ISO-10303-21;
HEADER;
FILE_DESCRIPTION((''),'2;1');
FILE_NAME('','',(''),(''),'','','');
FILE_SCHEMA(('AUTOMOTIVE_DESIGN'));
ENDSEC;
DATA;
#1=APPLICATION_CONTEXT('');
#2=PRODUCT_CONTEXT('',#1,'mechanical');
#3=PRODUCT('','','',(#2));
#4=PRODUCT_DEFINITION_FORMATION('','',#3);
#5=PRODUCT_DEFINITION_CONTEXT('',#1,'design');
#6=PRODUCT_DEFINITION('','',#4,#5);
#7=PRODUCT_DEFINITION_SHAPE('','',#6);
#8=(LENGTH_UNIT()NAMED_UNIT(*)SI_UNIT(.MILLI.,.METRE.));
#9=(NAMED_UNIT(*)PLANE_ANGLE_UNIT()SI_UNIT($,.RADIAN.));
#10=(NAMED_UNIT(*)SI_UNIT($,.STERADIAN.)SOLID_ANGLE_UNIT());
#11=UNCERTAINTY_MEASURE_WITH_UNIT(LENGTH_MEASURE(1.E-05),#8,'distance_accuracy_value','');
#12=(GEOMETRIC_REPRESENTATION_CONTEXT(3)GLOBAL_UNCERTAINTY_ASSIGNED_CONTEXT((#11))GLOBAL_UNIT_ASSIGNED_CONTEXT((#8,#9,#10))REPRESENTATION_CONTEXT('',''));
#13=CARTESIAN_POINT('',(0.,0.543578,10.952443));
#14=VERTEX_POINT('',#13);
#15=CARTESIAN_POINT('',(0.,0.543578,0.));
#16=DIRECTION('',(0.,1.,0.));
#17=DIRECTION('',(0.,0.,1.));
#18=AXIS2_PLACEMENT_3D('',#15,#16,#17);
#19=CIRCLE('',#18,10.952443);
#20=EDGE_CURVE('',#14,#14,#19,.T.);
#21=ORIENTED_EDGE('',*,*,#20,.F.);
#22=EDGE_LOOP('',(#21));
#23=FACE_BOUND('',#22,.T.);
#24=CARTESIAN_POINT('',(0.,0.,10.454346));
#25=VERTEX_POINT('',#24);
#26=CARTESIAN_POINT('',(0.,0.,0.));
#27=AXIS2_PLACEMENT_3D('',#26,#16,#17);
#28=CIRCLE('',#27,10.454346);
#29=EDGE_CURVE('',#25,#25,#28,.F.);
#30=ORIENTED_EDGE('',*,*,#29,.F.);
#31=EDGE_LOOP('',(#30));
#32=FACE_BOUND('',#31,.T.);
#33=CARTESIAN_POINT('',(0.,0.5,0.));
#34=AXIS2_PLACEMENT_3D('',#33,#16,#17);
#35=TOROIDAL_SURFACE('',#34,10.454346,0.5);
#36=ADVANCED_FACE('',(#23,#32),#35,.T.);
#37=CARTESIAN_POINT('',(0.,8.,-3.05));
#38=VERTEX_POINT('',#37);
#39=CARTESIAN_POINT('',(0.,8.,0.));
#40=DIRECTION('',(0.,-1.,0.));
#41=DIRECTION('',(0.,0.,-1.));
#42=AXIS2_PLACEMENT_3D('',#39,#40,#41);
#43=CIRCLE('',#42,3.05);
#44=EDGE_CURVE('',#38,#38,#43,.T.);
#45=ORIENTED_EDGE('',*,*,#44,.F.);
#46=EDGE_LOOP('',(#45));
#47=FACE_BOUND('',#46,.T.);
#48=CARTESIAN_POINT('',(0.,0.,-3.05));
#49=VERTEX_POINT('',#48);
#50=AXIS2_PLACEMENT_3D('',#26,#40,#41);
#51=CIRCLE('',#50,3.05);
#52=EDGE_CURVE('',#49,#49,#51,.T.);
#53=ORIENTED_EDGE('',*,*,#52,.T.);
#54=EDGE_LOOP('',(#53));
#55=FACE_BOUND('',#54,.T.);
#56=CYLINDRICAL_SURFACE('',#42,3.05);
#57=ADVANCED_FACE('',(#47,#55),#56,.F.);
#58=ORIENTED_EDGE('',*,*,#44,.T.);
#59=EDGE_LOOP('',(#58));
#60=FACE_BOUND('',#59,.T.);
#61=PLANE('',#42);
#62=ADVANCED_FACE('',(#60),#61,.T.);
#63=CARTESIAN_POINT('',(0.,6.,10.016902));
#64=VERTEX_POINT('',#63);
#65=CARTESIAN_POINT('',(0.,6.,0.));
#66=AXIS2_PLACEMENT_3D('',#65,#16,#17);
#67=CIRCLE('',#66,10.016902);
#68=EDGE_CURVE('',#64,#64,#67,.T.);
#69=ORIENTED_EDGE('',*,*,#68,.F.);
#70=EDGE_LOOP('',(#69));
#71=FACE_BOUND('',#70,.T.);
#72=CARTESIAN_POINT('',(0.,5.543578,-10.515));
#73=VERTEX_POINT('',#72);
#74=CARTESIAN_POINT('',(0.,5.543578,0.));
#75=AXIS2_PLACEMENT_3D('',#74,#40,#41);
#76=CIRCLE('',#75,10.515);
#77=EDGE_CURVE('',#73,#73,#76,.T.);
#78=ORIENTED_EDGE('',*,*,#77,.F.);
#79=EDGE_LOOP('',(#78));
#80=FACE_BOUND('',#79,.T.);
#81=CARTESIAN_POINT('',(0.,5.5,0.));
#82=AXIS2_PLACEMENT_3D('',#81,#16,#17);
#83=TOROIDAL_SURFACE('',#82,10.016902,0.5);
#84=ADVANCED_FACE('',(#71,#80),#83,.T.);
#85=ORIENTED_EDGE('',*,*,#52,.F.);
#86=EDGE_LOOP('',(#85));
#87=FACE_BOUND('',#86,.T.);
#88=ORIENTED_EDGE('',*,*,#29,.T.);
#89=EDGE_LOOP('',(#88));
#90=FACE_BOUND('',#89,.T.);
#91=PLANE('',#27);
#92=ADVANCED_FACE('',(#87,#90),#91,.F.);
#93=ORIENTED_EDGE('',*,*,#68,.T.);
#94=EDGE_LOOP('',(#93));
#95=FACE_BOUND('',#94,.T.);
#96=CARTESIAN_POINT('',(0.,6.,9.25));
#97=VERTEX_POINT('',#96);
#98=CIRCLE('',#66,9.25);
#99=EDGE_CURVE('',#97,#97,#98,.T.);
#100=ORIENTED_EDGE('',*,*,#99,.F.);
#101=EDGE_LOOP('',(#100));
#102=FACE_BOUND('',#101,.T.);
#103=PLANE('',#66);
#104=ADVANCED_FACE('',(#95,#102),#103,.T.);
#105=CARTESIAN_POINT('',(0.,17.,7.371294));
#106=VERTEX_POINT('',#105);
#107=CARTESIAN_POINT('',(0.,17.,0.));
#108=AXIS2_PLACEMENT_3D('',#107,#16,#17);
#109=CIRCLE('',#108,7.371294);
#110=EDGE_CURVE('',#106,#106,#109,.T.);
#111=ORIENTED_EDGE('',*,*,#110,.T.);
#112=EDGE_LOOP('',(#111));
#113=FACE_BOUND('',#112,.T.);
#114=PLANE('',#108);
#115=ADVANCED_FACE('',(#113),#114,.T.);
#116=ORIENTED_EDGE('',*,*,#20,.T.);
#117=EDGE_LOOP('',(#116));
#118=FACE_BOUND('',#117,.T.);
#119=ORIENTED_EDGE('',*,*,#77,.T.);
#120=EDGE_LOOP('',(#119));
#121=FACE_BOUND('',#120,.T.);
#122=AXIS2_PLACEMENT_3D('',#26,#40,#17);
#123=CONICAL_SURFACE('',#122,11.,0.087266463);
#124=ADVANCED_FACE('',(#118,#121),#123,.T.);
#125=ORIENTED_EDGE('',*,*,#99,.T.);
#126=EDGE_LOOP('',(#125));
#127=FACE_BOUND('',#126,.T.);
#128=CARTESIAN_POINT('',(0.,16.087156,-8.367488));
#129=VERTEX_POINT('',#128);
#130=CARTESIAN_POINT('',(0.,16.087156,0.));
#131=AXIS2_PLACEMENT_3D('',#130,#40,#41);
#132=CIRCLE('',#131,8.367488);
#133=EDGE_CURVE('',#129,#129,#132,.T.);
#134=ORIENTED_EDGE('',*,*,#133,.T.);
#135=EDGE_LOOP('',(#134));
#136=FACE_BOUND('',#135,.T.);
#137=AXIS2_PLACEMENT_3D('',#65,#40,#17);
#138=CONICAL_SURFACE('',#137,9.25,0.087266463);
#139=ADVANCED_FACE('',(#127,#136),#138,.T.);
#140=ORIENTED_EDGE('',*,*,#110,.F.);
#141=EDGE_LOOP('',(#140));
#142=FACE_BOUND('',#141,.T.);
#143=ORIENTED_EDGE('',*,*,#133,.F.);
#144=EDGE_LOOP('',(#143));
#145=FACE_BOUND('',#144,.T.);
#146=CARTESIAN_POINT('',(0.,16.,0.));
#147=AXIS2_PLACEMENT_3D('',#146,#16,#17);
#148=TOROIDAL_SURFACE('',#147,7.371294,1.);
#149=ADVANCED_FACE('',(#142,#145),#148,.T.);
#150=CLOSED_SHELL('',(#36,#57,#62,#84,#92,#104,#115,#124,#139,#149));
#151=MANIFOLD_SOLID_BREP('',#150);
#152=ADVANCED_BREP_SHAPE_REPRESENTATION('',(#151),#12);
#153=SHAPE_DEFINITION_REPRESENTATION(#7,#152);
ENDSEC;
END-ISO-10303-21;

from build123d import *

# Parameters (mm, degrees)
SKETCH1_R           = 11
BOSS_EXTRUDE1_DEPTH = 6
BOSS_EXTRUDE1_TAPER = 5
SKETCH2_R           = 9.25
BOSS_EXTRUDE2_DEPTH = 11
BOSS_EXTRUDE2_TAPER = 5
SKETCH3_R           = 3.05
CUT_EXTRUDE1_DEPTH  = 8
FILLET1_R           = 1
FILLET2_R           = 0.5
FILLET3_R           = 0.5


with BuildPart() as part:
    # Sketch1 → Boss-Extrude1 (new body)
    with BuildSketch(Plane(origin=(0, 0, 0), x_dir=(1, 0, 0), z_dir=(0, 1, 0))):
        Circle(SKETCH1_R)
    extrude(amount=BOSS_EXTRUDE1_DEPTH, taper=BOSS_EXTRUDE1_TAPER)

    # Sketch2 → Boss-Extrude2 (add)
    with BuildSketch(Plane(origin=(0, 6, 0), x_dir=(1, 0, 0), z_dir=(0, 1, 0))):
        Circle(SKETCH2_R)
    extrude(amount=BOSS_EXTRUDE2_DEPTH, taper=BOSS_EXTRUDE2_TAPER)

    # Sketch3 → Cut-Extrude1 (cut)
    with BuildSketch(Plane.XZ):
        Circle(SKETCH3_R)
    extrude(amount=-CUT_EXTRUDE1_DEPTH, mode=Mode.SUBTRACT)

    # Fillet1
    fillet1_edges = [part.edges().sort_by_distance(p)[0] for p in [
        (-8.287624701, 17, 0),
    ]]
    fillet(fillet1_edges, radius=FILLET1_R)

    # Fillet2
    fillet2_edges = [part.edges().sort_by_distance(p)[0] for p in [
        (-10.475068019, 6, 0),
    ]]
    fillet(fillet2_edges, radius=FILLET2_R)

    # Fillet3
    fillet3_edges = [part.edges().sort_by_distance(p)[0] for p in [
        (-11, 0, 0),
    ]]
    fillet(fillet3_edges, radius=FILLET3_R)


solid = part.part
